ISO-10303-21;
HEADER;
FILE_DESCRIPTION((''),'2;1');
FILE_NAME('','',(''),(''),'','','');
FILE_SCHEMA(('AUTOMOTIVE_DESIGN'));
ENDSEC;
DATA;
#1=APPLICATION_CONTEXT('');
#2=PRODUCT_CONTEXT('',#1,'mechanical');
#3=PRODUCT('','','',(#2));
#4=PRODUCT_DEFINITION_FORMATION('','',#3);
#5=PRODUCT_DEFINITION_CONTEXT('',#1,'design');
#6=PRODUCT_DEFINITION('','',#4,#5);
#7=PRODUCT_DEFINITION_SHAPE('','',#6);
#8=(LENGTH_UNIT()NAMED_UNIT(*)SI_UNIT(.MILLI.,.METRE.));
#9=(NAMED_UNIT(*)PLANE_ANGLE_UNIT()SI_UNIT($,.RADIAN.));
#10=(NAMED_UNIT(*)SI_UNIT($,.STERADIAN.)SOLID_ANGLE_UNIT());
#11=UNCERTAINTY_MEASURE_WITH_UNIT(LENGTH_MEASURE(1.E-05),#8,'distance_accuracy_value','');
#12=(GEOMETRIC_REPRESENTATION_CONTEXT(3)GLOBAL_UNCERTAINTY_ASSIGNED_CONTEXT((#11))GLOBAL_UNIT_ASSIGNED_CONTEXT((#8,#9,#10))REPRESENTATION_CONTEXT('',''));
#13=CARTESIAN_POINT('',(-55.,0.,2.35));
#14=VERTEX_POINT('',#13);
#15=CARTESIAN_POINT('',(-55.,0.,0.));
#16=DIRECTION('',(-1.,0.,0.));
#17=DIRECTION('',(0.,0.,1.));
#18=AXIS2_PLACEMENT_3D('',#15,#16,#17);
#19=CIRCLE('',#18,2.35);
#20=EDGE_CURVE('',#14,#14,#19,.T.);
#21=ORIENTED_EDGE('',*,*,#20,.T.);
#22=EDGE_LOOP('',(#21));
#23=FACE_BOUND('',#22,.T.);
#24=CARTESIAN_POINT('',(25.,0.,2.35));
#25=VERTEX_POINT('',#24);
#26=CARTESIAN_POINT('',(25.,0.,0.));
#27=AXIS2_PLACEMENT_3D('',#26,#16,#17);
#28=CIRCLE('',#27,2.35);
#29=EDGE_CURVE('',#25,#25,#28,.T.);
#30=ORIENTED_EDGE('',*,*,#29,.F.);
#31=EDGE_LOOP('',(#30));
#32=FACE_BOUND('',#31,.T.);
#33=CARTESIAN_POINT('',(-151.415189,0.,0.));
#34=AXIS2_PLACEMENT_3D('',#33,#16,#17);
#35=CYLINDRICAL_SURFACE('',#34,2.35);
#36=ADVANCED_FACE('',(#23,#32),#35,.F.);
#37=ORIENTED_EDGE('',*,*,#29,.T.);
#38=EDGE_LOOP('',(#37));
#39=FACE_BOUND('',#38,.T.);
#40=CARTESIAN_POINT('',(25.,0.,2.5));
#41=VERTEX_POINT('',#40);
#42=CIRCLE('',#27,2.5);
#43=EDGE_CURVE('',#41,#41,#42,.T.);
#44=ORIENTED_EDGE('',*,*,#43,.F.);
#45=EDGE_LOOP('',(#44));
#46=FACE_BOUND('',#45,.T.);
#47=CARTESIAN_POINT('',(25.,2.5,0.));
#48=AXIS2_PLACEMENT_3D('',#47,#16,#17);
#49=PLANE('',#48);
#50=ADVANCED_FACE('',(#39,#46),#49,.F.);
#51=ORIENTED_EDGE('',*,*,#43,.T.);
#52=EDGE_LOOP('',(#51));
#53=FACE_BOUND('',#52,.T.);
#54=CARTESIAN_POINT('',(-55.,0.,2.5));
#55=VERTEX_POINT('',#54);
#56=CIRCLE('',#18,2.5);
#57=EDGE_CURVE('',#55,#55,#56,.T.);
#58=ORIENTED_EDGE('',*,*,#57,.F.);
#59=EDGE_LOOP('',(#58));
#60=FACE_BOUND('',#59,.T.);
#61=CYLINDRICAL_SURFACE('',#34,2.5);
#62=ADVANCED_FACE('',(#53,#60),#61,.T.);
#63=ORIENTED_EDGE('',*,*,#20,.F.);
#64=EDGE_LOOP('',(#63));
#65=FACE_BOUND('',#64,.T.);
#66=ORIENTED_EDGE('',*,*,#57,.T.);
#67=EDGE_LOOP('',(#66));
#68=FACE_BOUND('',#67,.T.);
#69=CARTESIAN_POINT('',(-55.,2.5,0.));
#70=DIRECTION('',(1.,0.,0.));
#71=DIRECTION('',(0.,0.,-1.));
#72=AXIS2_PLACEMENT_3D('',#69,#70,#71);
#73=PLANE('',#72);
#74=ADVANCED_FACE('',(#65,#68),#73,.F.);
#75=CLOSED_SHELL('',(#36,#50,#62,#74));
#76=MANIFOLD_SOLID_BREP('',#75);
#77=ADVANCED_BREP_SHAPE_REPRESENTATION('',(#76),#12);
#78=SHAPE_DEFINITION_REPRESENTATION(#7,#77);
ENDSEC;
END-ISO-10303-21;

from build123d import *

# Parameters (mm, degrees)
ESQUISSE1_W = 80
ESQUISSE1_H = 0.15


with BuildPart() as part:
    # Esquisse1 → Révolution1 (revolve)
    with BuildSketch(Plane.XY, mode=Mode.PRIVATE) as r_volution1_sk:
        with Locations((-15, 2.425)):
            Rectangle(ESQUISSE1_W, ESQUISSE1_H)
    revolve(r_volution1_sk.sketch.rotate(Axis((-151.415188976, 0, 0), (1, 0, 0)), 90), axis=Axis((-151.415188976, 0, 0), (1, 0, 0)))


solid = part.part
